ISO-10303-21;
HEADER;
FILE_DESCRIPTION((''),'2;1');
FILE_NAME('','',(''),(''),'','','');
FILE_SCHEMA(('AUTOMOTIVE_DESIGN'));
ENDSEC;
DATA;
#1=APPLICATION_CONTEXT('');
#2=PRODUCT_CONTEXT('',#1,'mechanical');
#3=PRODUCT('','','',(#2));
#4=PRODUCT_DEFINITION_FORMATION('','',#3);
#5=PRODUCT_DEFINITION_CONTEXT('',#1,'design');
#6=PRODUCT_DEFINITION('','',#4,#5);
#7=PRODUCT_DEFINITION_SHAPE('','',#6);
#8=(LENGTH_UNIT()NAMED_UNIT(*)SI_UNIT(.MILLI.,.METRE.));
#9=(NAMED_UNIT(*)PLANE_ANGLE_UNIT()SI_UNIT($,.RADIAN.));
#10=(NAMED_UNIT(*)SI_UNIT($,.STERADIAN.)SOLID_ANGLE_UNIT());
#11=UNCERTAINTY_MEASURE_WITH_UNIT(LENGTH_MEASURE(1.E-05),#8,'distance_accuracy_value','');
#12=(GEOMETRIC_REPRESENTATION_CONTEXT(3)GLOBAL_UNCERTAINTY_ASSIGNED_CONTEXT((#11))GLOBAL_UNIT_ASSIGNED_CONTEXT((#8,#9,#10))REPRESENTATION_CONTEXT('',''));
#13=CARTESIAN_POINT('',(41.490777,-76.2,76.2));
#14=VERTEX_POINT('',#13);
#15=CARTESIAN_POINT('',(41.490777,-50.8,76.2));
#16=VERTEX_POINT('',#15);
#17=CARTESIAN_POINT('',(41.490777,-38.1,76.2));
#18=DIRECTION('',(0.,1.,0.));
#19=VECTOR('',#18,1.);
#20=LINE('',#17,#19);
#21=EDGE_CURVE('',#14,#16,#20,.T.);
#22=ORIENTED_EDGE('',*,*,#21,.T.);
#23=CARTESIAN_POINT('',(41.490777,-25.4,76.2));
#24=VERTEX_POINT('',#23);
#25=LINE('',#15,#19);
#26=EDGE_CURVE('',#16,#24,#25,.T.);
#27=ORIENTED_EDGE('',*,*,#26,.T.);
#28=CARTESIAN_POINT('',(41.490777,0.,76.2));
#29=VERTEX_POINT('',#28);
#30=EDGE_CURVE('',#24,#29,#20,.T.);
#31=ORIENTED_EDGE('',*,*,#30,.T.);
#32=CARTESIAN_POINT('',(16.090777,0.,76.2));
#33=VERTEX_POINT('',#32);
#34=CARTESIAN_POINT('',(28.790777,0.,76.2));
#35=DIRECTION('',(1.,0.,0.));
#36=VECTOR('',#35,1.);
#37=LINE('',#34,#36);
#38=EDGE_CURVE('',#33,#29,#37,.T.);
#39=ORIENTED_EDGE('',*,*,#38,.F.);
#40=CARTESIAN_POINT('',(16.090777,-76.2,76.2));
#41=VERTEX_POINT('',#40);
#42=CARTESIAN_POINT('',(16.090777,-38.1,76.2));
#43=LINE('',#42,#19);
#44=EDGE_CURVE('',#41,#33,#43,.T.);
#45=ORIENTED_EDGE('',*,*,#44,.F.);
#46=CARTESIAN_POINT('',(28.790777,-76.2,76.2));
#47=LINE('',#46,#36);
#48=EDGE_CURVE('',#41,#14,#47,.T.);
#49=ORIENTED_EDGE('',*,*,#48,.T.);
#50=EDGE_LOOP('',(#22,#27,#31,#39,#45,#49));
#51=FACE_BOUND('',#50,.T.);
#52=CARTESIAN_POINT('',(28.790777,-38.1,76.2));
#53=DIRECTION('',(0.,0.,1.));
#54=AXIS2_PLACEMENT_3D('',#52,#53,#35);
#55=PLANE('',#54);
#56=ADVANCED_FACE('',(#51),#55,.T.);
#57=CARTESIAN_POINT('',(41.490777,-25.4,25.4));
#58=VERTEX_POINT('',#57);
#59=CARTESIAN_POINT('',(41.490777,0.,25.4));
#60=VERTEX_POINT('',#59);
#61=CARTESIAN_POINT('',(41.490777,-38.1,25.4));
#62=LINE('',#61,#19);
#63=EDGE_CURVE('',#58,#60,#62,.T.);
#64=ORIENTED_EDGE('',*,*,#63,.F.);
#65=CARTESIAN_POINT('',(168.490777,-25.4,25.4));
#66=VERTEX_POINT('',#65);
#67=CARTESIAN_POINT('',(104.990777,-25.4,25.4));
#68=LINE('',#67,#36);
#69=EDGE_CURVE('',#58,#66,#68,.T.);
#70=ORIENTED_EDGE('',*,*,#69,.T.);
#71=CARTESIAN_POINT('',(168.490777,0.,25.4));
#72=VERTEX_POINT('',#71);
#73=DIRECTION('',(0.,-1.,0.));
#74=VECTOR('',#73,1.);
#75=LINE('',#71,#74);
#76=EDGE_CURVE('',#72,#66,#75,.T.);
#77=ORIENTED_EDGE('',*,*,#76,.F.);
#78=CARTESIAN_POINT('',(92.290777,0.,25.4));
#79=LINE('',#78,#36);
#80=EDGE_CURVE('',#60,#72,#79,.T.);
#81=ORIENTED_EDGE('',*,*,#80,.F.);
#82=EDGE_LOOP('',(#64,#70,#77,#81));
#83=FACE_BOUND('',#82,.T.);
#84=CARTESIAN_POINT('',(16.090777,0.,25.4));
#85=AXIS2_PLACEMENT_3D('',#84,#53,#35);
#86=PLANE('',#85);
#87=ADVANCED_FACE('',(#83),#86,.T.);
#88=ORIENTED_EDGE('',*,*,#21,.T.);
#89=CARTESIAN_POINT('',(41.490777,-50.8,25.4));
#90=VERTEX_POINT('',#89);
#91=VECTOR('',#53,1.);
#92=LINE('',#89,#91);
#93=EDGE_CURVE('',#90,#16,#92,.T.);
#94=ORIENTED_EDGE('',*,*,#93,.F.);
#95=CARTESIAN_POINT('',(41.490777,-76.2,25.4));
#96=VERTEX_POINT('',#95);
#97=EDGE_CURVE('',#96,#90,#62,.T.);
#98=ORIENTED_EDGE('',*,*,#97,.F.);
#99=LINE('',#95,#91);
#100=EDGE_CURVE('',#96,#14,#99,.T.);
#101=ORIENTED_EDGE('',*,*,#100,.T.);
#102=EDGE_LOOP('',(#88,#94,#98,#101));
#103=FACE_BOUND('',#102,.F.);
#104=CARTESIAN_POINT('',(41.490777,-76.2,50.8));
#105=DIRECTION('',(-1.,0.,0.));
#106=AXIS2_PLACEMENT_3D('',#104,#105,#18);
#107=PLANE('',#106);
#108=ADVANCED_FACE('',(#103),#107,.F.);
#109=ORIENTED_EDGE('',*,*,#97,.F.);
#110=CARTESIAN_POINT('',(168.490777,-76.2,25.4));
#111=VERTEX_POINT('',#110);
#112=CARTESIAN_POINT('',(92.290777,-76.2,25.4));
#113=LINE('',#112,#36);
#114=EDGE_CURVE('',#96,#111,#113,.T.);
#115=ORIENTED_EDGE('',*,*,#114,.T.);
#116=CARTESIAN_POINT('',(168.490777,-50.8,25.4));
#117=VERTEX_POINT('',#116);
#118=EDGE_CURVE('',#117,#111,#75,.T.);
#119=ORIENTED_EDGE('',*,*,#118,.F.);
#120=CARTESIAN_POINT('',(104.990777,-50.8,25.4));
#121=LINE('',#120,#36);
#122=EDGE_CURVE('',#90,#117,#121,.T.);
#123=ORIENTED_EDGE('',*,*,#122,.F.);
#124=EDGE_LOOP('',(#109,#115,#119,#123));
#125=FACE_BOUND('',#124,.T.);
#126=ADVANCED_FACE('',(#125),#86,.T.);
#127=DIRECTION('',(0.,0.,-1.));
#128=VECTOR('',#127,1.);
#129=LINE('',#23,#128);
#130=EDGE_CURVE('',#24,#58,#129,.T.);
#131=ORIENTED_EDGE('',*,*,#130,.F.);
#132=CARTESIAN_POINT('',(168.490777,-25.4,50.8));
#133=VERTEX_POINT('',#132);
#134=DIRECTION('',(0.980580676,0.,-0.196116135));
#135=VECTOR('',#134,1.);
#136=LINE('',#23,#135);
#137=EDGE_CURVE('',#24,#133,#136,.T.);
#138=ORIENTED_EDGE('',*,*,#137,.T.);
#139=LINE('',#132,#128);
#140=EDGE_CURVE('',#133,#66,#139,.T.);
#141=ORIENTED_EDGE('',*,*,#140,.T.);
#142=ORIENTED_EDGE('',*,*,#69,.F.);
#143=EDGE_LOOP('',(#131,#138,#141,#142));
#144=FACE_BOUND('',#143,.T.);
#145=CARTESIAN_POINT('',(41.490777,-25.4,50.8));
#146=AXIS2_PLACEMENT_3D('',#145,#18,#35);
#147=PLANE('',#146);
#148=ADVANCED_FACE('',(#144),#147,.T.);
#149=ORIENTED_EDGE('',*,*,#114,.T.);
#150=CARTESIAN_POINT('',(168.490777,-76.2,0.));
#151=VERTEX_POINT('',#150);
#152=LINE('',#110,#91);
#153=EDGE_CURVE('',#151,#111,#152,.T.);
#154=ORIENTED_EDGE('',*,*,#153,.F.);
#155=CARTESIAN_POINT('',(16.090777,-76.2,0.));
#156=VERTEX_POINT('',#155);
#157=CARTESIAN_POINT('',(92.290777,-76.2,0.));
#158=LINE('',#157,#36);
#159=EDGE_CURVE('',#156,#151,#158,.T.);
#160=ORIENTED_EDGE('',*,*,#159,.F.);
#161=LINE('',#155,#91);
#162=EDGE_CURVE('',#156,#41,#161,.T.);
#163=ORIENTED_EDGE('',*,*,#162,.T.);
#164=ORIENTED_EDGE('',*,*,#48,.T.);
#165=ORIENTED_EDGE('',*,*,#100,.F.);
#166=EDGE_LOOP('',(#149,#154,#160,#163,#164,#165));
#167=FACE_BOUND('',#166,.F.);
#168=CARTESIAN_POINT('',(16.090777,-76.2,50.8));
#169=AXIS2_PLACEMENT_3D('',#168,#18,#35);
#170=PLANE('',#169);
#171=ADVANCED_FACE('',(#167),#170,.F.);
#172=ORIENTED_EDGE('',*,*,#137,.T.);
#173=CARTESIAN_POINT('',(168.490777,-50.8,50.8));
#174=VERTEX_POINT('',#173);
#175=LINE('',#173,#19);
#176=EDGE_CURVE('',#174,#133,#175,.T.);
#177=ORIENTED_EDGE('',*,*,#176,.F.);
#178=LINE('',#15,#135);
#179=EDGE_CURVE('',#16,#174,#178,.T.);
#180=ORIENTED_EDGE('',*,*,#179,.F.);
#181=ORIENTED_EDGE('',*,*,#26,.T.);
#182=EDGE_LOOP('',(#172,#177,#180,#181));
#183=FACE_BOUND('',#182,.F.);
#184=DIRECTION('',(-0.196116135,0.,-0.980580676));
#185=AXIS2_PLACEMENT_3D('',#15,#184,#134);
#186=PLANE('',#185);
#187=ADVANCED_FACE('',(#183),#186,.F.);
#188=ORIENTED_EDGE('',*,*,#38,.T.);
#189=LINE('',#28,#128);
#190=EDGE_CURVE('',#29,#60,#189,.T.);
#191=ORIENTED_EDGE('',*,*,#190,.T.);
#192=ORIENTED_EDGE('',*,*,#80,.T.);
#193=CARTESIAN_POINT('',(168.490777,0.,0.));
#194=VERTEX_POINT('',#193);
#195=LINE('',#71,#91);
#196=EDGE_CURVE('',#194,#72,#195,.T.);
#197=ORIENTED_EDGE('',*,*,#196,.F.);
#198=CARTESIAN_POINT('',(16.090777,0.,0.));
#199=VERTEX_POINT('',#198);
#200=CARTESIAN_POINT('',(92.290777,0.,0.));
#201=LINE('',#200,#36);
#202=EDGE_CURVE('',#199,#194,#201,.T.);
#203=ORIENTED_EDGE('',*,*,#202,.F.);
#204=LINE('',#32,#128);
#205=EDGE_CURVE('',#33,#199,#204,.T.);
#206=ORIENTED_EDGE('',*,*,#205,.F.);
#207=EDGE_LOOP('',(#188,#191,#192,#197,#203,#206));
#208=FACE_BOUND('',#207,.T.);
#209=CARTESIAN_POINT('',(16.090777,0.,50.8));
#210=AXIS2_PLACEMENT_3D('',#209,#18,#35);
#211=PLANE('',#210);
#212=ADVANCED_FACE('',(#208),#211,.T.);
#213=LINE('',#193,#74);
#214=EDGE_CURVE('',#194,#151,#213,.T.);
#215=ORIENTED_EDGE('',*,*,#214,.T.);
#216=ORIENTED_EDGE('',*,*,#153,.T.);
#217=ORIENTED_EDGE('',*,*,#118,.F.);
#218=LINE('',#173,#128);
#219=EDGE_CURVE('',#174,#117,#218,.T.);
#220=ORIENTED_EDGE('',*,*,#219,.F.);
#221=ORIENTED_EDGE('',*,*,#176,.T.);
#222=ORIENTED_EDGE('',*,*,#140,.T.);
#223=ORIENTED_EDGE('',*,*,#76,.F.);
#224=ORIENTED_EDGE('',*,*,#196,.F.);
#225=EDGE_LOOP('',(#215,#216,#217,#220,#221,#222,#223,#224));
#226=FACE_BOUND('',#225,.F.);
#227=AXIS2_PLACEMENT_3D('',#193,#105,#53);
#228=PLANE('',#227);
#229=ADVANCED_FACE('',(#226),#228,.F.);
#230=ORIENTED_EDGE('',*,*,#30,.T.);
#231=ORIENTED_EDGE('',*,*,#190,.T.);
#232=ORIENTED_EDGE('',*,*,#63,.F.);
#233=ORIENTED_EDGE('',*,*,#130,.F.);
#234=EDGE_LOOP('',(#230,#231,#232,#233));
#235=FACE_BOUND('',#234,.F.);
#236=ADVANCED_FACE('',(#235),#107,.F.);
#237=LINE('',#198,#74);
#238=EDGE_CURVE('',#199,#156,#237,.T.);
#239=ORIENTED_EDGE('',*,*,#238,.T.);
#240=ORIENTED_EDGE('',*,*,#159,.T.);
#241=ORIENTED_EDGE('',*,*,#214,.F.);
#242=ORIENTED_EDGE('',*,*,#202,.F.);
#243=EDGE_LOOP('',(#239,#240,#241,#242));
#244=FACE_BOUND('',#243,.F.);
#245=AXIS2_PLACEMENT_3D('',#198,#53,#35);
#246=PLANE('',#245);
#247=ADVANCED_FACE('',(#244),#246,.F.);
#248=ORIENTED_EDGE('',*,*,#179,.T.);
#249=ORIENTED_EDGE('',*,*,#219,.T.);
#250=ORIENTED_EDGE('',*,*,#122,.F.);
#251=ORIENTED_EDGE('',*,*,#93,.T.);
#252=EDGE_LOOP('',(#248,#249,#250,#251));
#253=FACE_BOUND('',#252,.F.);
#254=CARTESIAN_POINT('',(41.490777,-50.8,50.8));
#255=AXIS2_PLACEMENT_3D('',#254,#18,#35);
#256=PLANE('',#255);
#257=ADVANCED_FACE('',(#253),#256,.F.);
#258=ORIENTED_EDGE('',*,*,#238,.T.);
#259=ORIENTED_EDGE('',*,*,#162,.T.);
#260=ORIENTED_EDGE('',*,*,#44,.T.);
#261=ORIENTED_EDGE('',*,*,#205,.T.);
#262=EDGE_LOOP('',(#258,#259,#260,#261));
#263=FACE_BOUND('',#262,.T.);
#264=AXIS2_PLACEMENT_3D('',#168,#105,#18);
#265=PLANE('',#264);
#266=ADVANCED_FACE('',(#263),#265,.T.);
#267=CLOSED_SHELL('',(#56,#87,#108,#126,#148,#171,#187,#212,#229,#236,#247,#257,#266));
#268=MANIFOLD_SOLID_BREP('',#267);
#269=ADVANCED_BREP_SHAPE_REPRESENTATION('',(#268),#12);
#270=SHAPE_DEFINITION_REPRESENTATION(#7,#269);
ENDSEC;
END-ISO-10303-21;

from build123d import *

# Parameters (mm, degrees)
F0_W     = 152.4
F0_H     = 50.8
F1_DEPTH = 76.2
F2_W     = 25.4
F2_H     = 76.2
F3_DEPTH = 25.4
F4_W     = 127
F4_H     = 25.4
F5_DEPTH = 25.4
F7_DEPTH = 25.4
F8_DEPTH = 25.4
F9_DEPTH = 25.4


with BuildPart() as f1:
    # F0 (on Front) → F1 (new body)
    with BuildSketch(Plane.XZ):
        with Locations((92.2907766924, 25.4)):
            Rectangle(F0_W, F0_H)
    extrude(amount=F1_DEPTH)

    # F2 (on face) → F3 (join)
    with BuildSketch(Plane.XY.offset(50.8)):
        with Locations((28.7907766924, -38.1)):
            Rectangle(F2_W, F2_H)
    extrude(amount=F3_DEPTH)

    # F4 (on face) → F5 (join)
    with BuildSketch(Plane.XY.offset(50.8)):
        with Locations((104.9907766924, -38.1)):
            Rectangle(F4_W, F4_H)
    extrude(amount=F5_DEPTH)

    # F6 (on face) → F7 (cut)
    with BuildSketch(Plane.XZ.offset(50.8)):
        Polygon((41.4907766924, 76.2), (168.4907766924, 50.8), (168.4907766924, 76.2), align=None)
    extrude(amount=-F7_DEPTH, mode=Mode.SUBTRACT)

    # F8 (cut): a face of the model
    f8_faces = [f1.faces().sort_by_distance(p)[0] for p in [
        (104.9907766924, -63.5, 50.8),
    ]]
    extrude(f8_faces, amount=-F8_DEPTH, mode=Mode.SUBTRACT)

    # F9 (cut): a face of the model
    f9_faces = [f1.faces().sort_by_distance(p)[0] for p in [
        (104.9907766924, -12.7, 50.8),
    ]]
    extrude(f9_faces, amount=-F9_DEPTH, mode=Mode.SUBTRACT)


solid = f1.part
